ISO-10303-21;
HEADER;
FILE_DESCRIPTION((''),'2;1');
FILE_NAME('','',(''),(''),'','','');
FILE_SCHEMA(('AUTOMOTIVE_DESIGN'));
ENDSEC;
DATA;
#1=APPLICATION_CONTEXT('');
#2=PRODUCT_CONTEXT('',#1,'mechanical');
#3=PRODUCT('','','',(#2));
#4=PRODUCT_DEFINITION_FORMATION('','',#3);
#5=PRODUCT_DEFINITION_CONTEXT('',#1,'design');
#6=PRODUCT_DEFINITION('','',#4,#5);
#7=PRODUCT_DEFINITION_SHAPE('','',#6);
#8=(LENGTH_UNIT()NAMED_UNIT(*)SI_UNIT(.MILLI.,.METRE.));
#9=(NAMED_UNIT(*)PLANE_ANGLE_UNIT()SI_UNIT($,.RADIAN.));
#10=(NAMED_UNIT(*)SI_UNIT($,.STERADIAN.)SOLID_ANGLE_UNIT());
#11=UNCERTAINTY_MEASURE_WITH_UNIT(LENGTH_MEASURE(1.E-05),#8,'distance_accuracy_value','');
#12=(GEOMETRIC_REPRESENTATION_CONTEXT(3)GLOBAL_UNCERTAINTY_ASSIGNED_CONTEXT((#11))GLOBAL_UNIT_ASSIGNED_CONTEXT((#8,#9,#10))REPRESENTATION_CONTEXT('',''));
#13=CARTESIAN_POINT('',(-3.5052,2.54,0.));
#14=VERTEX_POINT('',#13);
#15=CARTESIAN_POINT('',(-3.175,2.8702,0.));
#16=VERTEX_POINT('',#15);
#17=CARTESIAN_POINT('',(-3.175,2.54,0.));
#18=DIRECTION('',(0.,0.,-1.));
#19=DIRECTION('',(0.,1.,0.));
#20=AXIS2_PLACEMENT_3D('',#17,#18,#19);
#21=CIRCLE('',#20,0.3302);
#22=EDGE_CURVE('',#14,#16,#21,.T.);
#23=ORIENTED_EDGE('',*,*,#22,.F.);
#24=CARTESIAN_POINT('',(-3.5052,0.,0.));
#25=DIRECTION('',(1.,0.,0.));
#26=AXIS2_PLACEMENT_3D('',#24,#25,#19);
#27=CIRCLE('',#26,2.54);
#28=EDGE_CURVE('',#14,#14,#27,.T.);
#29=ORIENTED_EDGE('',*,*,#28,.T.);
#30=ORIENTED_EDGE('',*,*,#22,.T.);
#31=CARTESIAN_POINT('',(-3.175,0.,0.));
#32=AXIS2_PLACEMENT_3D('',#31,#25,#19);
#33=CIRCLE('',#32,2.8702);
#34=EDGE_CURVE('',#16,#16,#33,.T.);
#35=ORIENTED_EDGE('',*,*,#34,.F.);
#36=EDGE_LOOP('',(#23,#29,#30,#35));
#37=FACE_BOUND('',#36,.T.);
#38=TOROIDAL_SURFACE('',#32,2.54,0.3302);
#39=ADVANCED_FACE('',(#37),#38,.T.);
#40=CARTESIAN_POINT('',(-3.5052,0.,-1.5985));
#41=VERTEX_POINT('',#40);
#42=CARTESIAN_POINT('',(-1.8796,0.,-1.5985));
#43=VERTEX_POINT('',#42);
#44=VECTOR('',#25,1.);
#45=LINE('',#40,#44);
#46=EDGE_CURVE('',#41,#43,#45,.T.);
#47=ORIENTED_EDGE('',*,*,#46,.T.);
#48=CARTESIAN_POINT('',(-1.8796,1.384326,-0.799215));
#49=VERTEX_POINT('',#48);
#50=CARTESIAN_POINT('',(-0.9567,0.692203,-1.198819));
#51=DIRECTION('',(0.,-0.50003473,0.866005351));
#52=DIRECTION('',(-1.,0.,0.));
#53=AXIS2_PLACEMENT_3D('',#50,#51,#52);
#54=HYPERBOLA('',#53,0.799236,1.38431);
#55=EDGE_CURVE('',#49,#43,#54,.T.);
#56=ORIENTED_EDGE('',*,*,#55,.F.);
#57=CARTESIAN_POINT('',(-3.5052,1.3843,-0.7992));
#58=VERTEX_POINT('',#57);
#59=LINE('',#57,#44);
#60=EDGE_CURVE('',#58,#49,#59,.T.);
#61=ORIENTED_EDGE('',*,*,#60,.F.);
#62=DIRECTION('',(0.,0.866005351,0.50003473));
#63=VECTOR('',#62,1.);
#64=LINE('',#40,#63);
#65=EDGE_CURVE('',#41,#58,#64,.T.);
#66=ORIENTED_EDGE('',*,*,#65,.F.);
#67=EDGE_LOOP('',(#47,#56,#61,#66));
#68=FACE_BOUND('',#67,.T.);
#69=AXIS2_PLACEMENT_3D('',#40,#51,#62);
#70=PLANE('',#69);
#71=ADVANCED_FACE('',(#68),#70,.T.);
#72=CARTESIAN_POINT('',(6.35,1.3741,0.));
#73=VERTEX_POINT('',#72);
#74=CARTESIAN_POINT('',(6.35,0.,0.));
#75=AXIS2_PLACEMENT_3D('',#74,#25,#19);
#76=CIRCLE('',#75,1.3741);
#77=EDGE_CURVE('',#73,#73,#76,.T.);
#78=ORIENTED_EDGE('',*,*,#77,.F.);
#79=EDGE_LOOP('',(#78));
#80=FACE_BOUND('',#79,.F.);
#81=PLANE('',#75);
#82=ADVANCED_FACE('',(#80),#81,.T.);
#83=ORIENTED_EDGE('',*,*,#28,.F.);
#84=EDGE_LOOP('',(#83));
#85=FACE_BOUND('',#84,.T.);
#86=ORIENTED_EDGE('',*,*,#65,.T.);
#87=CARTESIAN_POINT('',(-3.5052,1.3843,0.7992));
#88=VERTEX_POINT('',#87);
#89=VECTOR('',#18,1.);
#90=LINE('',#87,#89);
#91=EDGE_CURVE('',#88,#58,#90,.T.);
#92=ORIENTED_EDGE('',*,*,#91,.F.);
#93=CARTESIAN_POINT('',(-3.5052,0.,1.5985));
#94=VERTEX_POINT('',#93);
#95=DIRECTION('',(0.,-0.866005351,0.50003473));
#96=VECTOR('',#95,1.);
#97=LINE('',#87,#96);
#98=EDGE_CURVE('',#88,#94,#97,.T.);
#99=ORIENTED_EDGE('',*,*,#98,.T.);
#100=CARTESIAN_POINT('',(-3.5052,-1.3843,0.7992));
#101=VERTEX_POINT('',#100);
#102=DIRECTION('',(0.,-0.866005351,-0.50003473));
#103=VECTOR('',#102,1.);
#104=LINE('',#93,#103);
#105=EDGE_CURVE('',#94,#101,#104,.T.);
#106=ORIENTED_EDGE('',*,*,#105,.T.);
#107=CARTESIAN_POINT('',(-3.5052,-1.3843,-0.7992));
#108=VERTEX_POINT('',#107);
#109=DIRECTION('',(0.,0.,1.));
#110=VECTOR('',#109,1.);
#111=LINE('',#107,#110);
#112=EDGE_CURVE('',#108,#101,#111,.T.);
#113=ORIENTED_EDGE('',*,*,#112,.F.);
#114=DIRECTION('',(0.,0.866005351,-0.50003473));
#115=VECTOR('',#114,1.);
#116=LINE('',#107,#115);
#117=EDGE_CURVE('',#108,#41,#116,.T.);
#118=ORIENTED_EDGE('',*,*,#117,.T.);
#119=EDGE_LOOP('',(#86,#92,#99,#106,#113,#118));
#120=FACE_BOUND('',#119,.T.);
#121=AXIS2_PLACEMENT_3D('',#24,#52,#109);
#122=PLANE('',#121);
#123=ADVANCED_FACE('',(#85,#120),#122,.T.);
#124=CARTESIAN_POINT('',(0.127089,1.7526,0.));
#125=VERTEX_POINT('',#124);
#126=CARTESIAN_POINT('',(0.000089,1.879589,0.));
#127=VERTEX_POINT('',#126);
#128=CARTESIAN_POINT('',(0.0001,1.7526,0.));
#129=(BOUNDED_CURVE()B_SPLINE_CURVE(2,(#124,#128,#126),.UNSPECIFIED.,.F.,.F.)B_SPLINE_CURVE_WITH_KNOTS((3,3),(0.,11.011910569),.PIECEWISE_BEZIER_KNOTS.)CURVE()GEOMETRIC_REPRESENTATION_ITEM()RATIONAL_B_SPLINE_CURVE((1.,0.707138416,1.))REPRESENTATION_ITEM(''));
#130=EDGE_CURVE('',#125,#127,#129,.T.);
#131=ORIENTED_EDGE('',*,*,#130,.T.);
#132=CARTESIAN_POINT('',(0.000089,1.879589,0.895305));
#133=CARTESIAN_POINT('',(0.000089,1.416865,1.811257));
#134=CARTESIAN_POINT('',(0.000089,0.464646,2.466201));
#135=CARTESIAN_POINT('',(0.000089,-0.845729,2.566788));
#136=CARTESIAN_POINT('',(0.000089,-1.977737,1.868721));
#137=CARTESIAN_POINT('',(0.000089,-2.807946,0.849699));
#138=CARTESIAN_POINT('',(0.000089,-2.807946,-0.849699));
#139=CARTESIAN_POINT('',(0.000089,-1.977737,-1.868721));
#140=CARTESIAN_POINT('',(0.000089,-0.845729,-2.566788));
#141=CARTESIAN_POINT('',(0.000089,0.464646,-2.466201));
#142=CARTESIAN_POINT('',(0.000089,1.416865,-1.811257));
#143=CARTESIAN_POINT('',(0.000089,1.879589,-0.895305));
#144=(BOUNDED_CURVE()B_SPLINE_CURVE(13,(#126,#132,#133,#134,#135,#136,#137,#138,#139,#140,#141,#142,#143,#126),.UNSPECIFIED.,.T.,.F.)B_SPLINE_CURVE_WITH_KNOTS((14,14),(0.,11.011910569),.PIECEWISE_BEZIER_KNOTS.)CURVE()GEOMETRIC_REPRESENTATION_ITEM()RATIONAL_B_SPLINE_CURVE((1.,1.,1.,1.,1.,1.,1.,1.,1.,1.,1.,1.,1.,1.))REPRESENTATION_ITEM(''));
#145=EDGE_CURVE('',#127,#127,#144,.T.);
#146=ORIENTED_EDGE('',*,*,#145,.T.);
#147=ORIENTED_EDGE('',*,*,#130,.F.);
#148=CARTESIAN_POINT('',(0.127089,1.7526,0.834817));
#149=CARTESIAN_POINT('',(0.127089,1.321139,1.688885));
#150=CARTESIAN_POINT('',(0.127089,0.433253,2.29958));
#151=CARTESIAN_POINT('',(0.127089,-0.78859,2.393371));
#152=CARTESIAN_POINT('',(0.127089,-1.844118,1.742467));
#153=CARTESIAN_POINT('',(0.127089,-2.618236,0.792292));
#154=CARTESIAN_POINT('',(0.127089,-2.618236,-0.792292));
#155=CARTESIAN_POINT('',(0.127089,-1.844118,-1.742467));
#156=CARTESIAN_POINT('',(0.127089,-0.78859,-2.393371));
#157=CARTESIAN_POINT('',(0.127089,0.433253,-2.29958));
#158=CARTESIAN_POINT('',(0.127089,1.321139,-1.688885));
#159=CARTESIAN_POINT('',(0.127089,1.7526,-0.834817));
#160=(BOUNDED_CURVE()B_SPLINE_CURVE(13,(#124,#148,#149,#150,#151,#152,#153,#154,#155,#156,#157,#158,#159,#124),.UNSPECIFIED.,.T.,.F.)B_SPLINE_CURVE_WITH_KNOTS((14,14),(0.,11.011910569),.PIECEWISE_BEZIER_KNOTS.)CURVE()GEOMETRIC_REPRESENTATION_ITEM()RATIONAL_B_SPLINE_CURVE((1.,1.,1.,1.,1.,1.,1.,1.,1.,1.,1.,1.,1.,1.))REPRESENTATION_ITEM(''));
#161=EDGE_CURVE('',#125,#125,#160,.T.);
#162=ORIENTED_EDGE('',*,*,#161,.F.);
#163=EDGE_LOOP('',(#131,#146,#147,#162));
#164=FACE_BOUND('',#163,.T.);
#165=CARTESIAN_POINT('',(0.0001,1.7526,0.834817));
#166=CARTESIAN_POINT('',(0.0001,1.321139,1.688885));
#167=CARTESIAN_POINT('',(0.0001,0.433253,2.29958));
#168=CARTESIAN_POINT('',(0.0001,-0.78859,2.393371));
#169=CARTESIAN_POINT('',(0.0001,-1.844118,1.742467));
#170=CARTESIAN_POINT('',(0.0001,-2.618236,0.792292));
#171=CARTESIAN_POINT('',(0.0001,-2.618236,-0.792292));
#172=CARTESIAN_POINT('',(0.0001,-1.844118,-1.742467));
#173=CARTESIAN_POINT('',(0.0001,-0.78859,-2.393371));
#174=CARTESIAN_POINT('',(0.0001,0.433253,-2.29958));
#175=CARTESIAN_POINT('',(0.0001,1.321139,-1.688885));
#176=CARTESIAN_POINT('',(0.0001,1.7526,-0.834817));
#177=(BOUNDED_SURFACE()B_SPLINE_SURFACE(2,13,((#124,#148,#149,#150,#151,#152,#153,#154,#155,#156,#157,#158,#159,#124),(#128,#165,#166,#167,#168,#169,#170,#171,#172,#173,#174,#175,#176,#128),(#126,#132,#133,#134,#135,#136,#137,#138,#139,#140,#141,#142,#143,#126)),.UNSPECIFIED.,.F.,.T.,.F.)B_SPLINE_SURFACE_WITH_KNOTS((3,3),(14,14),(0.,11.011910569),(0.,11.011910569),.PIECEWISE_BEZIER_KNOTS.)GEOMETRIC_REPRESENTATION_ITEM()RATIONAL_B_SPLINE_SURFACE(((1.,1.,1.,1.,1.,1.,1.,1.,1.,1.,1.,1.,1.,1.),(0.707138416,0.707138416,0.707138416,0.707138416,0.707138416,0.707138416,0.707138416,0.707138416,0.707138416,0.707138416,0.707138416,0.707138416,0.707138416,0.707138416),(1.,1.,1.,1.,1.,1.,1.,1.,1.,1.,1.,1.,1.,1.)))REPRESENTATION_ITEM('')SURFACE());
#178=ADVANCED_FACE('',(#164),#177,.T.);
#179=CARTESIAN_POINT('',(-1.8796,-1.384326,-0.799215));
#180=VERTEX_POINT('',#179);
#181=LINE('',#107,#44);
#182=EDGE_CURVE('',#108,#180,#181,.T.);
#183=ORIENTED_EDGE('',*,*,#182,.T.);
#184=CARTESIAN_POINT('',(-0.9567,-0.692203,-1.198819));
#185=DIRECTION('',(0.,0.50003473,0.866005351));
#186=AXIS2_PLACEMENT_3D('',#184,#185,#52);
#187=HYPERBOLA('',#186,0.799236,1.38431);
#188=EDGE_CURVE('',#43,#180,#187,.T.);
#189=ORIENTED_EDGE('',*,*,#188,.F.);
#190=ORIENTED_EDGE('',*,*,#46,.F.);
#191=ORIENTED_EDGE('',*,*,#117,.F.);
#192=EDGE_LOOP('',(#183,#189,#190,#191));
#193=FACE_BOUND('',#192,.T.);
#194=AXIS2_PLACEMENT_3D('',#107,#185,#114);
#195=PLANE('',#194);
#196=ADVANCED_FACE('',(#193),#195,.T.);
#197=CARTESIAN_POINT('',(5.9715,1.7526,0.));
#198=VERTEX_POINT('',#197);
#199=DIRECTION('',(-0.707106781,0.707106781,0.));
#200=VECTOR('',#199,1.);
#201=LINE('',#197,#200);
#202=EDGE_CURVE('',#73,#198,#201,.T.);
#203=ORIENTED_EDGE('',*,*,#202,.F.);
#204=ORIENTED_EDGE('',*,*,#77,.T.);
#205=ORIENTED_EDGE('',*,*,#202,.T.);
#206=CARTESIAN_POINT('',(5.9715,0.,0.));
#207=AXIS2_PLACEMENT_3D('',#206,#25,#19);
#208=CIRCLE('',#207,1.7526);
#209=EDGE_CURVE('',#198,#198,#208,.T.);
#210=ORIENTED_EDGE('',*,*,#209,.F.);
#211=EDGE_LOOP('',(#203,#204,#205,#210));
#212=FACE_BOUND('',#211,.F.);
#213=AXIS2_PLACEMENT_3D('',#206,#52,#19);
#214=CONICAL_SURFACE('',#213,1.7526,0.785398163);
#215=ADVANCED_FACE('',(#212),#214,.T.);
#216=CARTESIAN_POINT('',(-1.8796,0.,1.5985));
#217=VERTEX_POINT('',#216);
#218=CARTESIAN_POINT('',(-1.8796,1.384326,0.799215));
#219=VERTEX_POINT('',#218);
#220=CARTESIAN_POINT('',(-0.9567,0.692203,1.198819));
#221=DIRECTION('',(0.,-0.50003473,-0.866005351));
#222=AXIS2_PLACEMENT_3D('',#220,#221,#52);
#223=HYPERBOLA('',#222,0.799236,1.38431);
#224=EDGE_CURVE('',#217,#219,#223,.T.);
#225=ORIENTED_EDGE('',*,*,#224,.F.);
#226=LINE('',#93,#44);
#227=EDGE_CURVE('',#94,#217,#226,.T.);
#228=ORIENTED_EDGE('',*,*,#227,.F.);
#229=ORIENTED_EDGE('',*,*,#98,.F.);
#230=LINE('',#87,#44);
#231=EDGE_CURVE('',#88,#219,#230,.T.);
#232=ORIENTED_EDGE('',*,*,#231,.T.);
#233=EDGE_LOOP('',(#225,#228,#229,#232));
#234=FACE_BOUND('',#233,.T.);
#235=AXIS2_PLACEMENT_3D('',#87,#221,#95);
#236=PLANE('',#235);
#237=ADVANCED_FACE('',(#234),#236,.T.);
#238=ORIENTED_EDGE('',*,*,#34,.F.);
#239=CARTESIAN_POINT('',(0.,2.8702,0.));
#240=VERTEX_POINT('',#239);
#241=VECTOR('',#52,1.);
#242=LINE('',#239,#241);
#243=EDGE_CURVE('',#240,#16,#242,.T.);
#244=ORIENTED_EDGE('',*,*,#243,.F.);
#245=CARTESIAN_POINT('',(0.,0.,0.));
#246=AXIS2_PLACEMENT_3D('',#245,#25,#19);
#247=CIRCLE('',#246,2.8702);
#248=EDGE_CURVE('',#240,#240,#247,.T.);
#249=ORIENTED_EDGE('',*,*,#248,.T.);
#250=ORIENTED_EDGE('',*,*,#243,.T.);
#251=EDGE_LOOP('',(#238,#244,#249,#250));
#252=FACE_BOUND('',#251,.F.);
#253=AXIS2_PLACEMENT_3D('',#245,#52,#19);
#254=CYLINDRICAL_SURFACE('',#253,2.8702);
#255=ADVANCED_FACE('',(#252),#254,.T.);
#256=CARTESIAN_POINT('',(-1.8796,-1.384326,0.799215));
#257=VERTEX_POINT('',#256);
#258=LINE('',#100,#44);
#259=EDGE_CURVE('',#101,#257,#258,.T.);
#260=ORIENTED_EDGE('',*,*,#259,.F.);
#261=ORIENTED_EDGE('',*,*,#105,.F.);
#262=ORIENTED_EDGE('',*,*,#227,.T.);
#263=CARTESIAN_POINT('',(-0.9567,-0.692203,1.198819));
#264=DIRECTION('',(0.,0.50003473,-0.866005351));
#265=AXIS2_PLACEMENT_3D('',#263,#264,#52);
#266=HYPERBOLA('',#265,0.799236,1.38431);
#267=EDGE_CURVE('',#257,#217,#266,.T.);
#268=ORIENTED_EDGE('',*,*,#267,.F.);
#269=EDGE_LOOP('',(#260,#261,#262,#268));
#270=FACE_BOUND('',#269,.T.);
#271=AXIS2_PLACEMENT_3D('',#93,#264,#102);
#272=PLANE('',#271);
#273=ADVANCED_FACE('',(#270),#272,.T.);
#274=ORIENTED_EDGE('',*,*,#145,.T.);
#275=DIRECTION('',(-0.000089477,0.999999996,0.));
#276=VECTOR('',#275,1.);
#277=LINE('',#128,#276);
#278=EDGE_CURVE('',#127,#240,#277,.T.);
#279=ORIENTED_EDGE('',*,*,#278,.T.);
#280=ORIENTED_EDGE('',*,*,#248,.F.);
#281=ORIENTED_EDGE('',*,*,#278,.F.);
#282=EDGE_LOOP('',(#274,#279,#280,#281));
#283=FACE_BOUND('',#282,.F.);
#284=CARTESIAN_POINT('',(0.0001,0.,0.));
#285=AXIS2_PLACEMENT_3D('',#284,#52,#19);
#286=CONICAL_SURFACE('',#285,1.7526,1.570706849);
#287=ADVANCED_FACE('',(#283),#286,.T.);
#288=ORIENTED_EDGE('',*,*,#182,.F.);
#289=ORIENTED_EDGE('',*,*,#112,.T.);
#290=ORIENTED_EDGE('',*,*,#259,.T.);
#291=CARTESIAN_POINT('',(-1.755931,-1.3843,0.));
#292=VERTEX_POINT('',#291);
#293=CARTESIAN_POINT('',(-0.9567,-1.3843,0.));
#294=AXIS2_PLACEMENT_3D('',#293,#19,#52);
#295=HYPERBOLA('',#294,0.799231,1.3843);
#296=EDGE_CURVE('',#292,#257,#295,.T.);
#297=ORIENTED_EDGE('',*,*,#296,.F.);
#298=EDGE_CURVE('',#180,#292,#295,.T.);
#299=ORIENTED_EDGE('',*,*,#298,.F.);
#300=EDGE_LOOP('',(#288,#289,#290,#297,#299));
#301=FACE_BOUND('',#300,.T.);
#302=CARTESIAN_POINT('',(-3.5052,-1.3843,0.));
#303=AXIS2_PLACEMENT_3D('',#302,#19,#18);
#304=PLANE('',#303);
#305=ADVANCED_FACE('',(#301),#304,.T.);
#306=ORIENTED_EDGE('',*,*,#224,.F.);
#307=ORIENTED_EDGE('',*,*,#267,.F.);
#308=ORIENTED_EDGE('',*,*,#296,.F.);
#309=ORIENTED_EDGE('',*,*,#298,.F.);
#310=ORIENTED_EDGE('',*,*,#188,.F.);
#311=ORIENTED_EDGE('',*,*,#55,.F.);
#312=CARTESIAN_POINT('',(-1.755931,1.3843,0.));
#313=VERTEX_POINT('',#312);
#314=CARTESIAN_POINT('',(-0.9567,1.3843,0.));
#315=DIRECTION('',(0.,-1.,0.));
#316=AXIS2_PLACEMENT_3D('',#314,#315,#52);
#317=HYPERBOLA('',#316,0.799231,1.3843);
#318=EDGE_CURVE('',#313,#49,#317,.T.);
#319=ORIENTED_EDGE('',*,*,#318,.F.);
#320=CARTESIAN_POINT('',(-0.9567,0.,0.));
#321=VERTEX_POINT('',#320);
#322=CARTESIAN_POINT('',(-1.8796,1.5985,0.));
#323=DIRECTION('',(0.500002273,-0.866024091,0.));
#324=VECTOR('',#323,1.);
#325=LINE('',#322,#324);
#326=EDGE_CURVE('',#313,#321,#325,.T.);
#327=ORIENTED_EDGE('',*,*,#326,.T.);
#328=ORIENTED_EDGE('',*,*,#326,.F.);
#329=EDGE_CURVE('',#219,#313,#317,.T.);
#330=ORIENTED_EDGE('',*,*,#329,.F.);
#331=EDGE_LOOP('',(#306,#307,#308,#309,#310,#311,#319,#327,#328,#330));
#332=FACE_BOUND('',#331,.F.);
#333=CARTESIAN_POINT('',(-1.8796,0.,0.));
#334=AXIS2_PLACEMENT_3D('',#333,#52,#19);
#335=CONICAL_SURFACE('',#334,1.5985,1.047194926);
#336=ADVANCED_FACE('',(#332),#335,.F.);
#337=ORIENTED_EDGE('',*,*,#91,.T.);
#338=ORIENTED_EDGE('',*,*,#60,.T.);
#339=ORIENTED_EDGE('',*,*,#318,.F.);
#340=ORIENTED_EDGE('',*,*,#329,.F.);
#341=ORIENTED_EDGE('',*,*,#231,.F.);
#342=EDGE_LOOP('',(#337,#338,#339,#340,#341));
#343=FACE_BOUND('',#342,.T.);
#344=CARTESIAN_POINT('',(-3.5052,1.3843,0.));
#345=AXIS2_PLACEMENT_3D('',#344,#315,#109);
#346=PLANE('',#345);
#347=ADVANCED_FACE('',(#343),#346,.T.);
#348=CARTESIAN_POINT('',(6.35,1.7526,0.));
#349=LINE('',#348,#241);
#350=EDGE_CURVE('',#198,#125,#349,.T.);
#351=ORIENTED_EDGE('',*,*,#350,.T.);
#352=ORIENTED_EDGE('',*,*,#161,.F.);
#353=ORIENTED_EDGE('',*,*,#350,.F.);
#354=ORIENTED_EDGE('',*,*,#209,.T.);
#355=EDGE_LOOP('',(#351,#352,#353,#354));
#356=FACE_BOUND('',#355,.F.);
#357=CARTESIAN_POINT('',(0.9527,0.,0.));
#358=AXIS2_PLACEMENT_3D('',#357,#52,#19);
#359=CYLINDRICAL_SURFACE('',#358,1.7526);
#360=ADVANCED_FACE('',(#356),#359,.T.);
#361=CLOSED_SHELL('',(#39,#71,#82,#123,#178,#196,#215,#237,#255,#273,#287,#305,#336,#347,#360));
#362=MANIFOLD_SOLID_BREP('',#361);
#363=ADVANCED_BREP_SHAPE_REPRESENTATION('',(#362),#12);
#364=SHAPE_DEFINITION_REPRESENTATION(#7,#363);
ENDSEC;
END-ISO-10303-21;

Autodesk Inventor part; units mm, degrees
ref_plane "YZ Plane" through (0, 0, 0) normal (1, 0, 0) x (0, 1, 0)
ref_plane "XZ Plane" through (0, 0, 0) normal (0, 1, 0) x (-1, 0, 0)
sketch "Sketch1" plane through (0, 0, 0) normal (0, 0, 1) x (1, 0, 0)
  line L0 (-0.9567, 0) -> (6.35, 0)
  line L1 (6.35, 0) -> (6.35, 1.7526)
  line L2 (6.35, 1.7526) -> (0.9527, 1.7526)
  line L3 (0.9527, 1.7526) -> (0.0001, 1.7526)
  line L4 (0.0001, 1.7526) -> (0, 1.7526)
  line L5 (0, 1.7526) -> (0, 2.8702)
  line L6 (0, 2.8702) -> (-3.5052, 2.8702)
  line L7 (-3.5052, 2.8702) -> (-3.5052, 1.5985)
  line L8 (-3.5052, 1.5985) -> (-1.8796, 1.5985)
  line L9 (-1.8796, 1.5985) -> (-0.9567, 0)
  line L10 (-5.4762, 0) -> (8.321, 0) projected
  line L11 (0, -0.574) -> (0, 3.4442) projected
  line L12 (0.9527, 1.7526) -> (0, 1.7526) construction
  dimension "d1" = 5.3973
  dimension "d2" = 0.9526
  dimension "d3" = 3.5052
  dimension "d4" = 1.6256
  dimension "d5" = 60
  dimension "d6" = 3.5052
  dimension "d7" = 3.5052
  dimension "d8" = 3.1969
  dimension "d9" = 5.7404
  dimension "d26" = 6.35
revolve "Body" add sketch "Sketch1" angle 360 about axis through (-0.9567, 0, 0) along (1, 0, 0)
sketch "Sketch2" plane through (-3.5052, 0, 0) normal (-1, 0, 0) x (0, 0, 1)
  circle A0 centre (0, 0) radius 1.5985 projected
  line L0 (0, -4.0183) -> (0, 4.0183) projected
  line L1 (-4.0183, 0) -> (4.0183, 0) projected
  line L2 (1.5985, 0) -> (0.7992, -1.3843)
  line L3 (0.7992, -1.3843) -> (-0.7992, -1.3843)
  line L4 (-0.7992, -1.3843) -> (-1.5985, 0)
  line L5 (-1.5985, 0) -> (-0.7992, 1.3843)
  line L6 (-0.7992, 1.3843) -> (0.7992, 1.3843)
  line L7 (0.7992, 1.3843) -> (1.5985, 0)
extrude "Slot" add sketch "Sketch2" against normal up to next contours L7 A0 | A0 L2 | L6 L0 A0 | A0 L0 L3 | L0 L6 A0 | A0 L3 L0 | L4 A0 | A0 L5
fillet "Fillet1" radius 0.3302 1 edges at (-3.5052, -2.8702, 0)
thread "Thread" size "6-40 UNF" class "2A" standard "ANSI Unified Screw Threads" length 5.3973
chamfer "Chamfer1" distance 0.3785 distance2 0.3785 1 edges at (6.35, -1.7526, 0) measured on face at (6.35, -0.5672, -0.1398)
ref_plane "Work Plane1" through (29, 0, 0) normal (0, -1, 0) x (1, 0, 0)
fillet "Fillet2" radius 0.127 1 edges at (0.0001, -1.7526, 0)
equation "\"d1\" = GEL"
equation "\"d3\" = KOH"
equation "\"d4\" = INTI"
equation "\"d6\" = GD"
equation "\"d7\" = BDM"
equation "\"d8\" = 1.1547 * SW"
equation "\"d9\" = KOD"
equation "\"d26\" = NLG"
equation "\"d30\" = R"
equation "\"d17\" = RR"
equation "\"d13\" = GEL"
equation "\"d15\" = -0.5 * SPD + 0.5 * GD"
equation "\"d16\" = GUL"
equation "\"GD\" = 3.5052"
equation "\"NLG\" = 6.35"
equation "\"GEL\" = 5.3973"
equation "\"KOD\" = 5.7404"
equation "\"KOH\" = 3.5052"
equation "\"INTI\" = 1.6256"
equation "\"GAL\" = 0.9525"
equation "\"GUL\" = 0.37846"
equation "\"BDM\" = 3.5052"
equation "\"SW\" = 2.7686"
equation "\"RR\" = 0.3302"
equation "\"SPD\" = 2.74828"
equation "\"R\" = 0.127"
equation "\"PHH\" = 0.127"
equation "\"GD1\" = SPD"
equation "\"THREADDIA\" = 3.5052"
equation "\"FAWI\" = 45deg"
equation "\"KOH1\" = 3.1496"
equation "\"NND\" = 3.5052"
equation "\"TOA\" = 30deg"
equation "\"E0\" = 1.155 * SW"
properties part number "ANSI B18.3 - 6-40 UNF - 0.25 HS HCS" material "Steel, Mild"
